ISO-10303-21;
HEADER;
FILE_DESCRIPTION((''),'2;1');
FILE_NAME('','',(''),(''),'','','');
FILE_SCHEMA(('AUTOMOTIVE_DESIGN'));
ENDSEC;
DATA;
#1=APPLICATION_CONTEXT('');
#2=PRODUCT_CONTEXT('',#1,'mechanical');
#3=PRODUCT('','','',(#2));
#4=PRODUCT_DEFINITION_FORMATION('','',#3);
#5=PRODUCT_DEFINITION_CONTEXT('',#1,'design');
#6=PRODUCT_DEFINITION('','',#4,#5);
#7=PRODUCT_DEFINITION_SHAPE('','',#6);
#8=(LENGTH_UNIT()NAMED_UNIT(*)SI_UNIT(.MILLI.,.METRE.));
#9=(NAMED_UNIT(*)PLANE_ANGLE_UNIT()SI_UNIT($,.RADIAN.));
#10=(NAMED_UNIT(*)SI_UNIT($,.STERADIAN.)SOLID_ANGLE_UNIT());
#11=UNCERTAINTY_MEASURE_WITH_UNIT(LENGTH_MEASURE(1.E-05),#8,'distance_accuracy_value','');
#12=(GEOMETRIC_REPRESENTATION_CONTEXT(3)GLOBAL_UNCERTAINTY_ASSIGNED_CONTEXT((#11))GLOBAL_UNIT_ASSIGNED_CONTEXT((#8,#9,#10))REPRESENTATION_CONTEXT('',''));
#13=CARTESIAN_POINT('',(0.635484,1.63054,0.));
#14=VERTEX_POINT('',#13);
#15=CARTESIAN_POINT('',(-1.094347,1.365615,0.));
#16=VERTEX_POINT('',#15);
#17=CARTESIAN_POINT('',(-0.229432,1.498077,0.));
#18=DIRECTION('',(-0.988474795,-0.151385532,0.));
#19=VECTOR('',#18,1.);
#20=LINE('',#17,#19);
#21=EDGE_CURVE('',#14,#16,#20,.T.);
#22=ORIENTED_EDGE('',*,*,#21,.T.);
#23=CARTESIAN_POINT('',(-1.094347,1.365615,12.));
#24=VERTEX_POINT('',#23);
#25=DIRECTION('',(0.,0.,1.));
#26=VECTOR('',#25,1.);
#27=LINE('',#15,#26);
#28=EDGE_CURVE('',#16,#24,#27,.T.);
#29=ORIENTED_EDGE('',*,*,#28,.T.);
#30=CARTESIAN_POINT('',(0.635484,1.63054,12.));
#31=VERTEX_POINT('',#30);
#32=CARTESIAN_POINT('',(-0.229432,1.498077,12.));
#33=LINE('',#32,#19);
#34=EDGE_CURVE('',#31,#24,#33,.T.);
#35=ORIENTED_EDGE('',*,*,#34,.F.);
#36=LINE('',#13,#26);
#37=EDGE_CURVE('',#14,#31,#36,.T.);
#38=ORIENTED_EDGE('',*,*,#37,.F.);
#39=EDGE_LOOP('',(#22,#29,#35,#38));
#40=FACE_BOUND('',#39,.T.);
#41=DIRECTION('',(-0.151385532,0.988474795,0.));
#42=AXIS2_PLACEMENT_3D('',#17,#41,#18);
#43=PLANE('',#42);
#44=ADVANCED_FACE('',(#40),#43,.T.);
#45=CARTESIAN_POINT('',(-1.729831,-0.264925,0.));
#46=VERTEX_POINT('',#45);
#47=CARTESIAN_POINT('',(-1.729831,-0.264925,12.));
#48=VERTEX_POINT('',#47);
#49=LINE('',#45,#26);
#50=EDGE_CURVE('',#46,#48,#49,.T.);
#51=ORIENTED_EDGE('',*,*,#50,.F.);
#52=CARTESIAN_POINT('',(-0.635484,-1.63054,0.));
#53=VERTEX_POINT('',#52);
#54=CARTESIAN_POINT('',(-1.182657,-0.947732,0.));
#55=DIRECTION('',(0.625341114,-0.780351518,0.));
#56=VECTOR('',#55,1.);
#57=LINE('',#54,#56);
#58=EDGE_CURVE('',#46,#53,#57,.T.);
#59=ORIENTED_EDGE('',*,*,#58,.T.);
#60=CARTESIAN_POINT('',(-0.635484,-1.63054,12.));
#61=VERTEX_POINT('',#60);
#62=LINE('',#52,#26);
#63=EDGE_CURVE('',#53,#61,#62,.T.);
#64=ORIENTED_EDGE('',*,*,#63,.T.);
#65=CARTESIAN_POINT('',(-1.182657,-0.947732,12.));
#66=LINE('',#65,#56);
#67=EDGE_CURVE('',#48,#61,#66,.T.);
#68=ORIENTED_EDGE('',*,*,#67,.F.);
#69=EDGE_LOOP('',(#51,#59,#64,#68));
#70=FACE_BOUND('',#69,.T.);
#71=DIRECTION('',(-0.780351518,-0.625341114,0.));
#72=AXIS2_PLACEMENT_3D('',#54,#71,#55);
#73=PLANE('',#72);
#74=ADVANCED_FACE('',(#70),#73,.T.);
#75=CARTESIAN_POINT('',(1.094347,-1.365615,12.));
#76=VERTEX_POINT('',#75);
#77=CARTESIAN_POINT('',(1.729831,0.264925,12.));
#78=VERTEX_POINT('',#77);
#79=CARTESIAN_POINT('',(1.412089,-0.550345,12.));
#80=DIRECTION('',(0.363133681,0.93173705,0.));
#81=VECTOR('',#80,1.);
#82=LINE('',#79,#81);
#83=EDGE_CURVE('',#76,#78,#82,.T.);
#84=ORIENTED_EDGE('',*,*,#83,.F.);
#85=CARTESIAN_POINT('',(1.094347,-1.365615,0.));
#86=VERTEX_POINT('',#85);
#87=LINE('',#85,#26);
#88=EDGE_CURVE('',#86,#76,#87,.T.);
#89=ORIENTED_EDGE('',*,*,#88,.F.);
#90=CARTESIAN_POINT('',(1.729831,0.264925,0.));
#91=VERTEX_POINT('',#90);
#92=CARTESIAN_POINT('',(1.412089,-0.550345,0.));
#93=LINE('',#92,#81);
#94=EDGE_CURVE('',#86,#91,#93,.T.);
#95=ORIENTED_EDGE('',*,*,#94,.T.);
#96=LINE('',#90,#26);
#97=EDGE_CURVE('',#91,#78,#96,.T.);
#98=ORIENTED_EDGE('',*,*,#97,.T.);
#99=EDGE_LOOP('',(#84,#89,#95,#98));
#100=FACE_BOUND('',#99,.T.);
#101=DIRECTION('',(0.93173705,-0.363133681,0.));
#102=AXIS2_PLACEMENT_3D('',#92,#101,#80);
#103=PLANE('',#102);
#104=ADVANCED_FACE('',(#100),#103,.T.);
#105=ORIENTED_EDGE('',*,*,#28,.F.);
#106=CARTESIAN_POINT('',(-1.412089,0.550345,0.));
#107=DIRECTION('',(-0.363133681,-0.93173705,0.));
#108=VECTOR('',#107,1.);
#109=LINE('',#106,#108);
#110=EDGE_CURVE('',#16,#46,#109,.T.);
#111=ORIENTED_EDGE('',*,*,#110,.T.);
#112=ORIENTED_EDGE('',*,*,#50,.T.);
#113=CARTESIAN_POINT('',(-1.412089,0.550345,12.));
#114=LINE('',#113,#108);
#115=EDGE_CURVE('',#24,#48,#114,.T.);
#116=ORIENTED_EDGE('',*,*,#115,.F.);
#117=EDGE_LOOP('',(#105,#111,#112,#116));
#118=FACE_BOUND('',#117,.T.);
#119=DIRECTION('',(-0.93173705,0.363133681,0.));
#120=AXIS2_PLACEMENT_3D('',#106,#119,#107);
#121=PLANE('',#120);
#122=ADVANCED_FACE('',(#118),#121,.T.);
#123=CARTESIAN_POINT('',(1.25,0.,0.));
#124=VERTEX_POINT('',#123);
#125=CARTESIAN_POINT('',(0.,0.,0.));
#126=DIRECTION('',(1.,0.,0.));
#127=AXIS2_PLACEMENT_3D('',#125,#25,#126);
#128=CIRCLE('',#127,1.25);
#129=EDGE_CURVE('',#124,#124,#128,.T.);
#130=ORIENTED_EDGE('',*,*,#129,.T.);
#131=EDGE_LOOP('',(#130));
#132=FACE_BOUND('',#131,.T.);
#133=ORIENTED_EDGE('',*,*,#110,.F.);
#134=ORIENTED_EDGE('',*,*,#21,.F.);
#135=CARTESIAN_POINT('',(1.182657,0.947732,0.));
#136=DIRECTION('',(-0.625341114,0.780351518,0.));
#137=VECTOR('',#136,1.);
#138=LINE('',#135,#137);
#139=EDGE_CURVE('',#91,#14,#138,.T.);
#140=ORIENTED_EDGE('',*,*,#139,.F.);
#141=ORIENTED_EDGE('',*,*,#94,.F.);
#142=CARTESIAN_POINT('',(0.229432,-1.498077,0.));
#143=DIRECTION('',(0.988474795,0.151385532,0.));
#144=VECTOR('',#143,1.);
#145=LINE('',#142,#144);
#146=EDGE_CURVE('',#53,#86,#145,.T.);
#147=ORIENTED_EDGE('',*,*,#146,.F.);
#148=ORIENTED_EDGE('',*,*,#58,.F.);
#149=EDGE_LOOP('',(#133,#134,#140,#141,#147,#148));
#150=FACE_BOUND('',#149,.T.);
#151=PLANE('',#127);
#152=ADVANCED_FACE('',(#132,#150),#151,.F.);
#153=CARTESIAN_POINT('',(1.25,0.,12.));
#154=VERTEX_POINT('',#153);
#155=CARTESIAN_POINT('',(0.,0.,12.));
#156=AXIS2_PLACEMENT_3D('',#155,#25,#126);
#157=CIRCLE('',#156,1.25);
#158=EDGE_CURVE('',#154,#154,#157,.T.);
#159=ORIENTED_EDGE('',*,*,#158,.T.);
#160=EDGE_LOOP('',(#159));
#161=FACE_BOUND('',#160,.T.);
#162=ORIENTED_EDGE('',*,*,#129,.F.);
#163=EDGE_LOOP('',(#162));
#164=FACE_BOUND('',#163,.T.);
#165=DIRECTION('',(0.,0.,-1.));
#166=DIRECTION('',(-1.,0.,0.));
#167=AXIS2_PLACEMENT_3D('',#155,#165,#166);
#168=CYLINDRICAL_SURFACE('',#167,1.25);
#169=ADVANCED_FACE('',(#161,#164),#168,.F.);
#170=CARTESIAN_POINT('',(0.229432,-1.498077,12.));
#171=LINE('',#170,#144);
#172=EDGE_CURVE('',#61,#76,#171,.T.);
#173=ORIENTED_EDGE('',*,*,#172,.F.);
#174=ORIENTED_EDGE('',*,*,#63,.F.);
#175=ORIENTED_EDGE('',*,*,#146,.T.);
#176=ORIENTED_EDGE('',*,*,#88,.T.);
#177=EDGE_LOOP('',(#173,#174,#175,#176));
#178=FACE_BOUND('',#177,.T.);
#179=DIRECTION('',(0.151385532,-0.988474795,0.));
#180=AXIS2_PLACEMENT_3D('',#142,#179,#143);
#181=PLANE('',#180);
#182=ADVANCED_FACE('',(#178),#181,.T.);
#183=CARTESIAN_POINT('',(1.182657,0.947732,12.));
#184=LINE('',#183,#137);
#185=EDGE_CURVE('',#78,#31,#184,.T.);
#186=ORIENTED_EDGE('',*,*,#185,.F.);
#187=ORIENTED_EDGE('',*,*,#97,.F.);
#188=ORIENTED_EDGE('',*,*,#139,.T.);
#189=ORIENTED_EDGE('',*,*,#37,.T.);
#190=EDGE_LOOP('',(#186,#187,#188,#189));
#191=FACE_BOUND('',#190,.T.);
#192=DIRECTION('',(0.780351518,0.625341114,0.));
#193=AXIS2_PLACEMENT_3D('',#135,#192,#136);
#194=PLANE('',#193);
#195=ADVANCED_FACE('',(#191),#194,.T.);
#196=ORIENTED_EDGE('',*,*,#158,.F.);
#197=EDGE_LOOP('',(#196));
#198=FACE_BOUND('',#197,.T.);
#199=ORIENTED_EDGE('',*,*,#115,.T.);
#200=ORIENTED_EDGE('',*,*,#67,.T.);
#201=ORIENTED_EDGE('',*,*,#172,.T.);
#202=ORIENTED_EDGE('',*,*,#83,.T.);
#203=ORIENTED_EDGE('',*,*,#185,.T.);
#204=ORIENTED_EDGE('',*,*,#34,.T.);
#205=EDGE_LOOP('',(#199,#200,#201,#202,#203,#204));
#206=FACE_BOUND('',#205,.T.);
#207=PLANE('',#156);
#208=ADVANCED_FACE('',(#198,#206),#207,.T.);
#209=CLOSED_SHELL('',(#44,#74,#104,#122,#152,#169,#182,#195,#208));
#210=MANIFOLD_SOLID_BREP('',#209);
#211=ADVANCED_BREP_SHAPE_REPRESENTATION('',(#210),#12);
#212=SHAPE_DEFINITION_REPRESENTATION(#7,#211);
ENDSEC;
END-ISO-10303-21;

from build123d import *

# Parameters (mm, degrees)
SKETCH1_R           = 1.75
SKETCH1_R_2         = 1.25
BOSS_EXTRUDE1_DEPTH = 12
CUT_EXTRUDE2_START  = -12
CUT_EXTRUDE2_DEPTH  = 12


with BuildPart() as part:
    # Sketch1 → Boss-Extrude1 (new body)
    with BuildSketch(Plane.XY):
        Circle(SKETCH1_R)
        Circle(SKETCH1_R_2, mode=Mode.SUBTRACT)
    extrude(amount=BOSS_EXTRUDE1_DEPTH)

    # Sketch2 → Cut-Extrude2 (cut)
    with BuildSketch(Plane.XY.offset(12).offset(CUT_EXTRUDE2_START)):
        with BuildLine():
            ThreePointArc((-1.09434695, 1.365615156), (-1.630539837, 0.635483942), (-1.729830892, -0.264924681))
            Line((-1.729830892, -0.264924681), (-1.09434695, 1.365615156))
        make_face()
        with BuildLine():
            Line((-1.09434695, 1.365615156), (0.635483942, 1.630539837))
            ThreePointArc((0.635483942, 1.630539837), (-0.264924681, 1.729830892), (-1.09434695, 1.365615156))
        make_face()
        with BuildLine():
            Line((0.635483942, 1.630539837), (1.729830892, 0.264924681))
            ThreePointArc((1.729830892, 0.264924681), (1.365615156, 1.09434695), (0.635483942, 1.630539837))
        make_face()
        with BuildLine():
            Line((1.729830892, 0.264924681), (1.09434695, -1.365615156))
            ThreePointArc((1.09434695, -1.365615156), (1.577594238, -0.757427501), (1.75, 0))
            ThreePointArc((1.75, 0), (1.744950438, 0.132845662), (1.729830892, 0.264924681))
        make_face()
        with BuildLine():
            ThreePointArc((-0.635483942, -1.630539837), (0.264924681, -1.729830892), (1.09434695, -1.365615156))
            Line((1.09434695, -1.365615156), (-0.635483942, -1.630539837))
        make_face()
        with BuildLine():
            ThreePointArc((-1.729830892, -0.264924681), (-1.365615156, -1.09434695), (-0.635483942, -1.630539837))
            Line((-0.635483942, -1.630539837), (-1.729830892, -0.264924681))
        make_face()
    extrude(amount=CUT_EXTRUDE2_DEPTH, mode=Mode.SUBTRACT)


solid = part.part
